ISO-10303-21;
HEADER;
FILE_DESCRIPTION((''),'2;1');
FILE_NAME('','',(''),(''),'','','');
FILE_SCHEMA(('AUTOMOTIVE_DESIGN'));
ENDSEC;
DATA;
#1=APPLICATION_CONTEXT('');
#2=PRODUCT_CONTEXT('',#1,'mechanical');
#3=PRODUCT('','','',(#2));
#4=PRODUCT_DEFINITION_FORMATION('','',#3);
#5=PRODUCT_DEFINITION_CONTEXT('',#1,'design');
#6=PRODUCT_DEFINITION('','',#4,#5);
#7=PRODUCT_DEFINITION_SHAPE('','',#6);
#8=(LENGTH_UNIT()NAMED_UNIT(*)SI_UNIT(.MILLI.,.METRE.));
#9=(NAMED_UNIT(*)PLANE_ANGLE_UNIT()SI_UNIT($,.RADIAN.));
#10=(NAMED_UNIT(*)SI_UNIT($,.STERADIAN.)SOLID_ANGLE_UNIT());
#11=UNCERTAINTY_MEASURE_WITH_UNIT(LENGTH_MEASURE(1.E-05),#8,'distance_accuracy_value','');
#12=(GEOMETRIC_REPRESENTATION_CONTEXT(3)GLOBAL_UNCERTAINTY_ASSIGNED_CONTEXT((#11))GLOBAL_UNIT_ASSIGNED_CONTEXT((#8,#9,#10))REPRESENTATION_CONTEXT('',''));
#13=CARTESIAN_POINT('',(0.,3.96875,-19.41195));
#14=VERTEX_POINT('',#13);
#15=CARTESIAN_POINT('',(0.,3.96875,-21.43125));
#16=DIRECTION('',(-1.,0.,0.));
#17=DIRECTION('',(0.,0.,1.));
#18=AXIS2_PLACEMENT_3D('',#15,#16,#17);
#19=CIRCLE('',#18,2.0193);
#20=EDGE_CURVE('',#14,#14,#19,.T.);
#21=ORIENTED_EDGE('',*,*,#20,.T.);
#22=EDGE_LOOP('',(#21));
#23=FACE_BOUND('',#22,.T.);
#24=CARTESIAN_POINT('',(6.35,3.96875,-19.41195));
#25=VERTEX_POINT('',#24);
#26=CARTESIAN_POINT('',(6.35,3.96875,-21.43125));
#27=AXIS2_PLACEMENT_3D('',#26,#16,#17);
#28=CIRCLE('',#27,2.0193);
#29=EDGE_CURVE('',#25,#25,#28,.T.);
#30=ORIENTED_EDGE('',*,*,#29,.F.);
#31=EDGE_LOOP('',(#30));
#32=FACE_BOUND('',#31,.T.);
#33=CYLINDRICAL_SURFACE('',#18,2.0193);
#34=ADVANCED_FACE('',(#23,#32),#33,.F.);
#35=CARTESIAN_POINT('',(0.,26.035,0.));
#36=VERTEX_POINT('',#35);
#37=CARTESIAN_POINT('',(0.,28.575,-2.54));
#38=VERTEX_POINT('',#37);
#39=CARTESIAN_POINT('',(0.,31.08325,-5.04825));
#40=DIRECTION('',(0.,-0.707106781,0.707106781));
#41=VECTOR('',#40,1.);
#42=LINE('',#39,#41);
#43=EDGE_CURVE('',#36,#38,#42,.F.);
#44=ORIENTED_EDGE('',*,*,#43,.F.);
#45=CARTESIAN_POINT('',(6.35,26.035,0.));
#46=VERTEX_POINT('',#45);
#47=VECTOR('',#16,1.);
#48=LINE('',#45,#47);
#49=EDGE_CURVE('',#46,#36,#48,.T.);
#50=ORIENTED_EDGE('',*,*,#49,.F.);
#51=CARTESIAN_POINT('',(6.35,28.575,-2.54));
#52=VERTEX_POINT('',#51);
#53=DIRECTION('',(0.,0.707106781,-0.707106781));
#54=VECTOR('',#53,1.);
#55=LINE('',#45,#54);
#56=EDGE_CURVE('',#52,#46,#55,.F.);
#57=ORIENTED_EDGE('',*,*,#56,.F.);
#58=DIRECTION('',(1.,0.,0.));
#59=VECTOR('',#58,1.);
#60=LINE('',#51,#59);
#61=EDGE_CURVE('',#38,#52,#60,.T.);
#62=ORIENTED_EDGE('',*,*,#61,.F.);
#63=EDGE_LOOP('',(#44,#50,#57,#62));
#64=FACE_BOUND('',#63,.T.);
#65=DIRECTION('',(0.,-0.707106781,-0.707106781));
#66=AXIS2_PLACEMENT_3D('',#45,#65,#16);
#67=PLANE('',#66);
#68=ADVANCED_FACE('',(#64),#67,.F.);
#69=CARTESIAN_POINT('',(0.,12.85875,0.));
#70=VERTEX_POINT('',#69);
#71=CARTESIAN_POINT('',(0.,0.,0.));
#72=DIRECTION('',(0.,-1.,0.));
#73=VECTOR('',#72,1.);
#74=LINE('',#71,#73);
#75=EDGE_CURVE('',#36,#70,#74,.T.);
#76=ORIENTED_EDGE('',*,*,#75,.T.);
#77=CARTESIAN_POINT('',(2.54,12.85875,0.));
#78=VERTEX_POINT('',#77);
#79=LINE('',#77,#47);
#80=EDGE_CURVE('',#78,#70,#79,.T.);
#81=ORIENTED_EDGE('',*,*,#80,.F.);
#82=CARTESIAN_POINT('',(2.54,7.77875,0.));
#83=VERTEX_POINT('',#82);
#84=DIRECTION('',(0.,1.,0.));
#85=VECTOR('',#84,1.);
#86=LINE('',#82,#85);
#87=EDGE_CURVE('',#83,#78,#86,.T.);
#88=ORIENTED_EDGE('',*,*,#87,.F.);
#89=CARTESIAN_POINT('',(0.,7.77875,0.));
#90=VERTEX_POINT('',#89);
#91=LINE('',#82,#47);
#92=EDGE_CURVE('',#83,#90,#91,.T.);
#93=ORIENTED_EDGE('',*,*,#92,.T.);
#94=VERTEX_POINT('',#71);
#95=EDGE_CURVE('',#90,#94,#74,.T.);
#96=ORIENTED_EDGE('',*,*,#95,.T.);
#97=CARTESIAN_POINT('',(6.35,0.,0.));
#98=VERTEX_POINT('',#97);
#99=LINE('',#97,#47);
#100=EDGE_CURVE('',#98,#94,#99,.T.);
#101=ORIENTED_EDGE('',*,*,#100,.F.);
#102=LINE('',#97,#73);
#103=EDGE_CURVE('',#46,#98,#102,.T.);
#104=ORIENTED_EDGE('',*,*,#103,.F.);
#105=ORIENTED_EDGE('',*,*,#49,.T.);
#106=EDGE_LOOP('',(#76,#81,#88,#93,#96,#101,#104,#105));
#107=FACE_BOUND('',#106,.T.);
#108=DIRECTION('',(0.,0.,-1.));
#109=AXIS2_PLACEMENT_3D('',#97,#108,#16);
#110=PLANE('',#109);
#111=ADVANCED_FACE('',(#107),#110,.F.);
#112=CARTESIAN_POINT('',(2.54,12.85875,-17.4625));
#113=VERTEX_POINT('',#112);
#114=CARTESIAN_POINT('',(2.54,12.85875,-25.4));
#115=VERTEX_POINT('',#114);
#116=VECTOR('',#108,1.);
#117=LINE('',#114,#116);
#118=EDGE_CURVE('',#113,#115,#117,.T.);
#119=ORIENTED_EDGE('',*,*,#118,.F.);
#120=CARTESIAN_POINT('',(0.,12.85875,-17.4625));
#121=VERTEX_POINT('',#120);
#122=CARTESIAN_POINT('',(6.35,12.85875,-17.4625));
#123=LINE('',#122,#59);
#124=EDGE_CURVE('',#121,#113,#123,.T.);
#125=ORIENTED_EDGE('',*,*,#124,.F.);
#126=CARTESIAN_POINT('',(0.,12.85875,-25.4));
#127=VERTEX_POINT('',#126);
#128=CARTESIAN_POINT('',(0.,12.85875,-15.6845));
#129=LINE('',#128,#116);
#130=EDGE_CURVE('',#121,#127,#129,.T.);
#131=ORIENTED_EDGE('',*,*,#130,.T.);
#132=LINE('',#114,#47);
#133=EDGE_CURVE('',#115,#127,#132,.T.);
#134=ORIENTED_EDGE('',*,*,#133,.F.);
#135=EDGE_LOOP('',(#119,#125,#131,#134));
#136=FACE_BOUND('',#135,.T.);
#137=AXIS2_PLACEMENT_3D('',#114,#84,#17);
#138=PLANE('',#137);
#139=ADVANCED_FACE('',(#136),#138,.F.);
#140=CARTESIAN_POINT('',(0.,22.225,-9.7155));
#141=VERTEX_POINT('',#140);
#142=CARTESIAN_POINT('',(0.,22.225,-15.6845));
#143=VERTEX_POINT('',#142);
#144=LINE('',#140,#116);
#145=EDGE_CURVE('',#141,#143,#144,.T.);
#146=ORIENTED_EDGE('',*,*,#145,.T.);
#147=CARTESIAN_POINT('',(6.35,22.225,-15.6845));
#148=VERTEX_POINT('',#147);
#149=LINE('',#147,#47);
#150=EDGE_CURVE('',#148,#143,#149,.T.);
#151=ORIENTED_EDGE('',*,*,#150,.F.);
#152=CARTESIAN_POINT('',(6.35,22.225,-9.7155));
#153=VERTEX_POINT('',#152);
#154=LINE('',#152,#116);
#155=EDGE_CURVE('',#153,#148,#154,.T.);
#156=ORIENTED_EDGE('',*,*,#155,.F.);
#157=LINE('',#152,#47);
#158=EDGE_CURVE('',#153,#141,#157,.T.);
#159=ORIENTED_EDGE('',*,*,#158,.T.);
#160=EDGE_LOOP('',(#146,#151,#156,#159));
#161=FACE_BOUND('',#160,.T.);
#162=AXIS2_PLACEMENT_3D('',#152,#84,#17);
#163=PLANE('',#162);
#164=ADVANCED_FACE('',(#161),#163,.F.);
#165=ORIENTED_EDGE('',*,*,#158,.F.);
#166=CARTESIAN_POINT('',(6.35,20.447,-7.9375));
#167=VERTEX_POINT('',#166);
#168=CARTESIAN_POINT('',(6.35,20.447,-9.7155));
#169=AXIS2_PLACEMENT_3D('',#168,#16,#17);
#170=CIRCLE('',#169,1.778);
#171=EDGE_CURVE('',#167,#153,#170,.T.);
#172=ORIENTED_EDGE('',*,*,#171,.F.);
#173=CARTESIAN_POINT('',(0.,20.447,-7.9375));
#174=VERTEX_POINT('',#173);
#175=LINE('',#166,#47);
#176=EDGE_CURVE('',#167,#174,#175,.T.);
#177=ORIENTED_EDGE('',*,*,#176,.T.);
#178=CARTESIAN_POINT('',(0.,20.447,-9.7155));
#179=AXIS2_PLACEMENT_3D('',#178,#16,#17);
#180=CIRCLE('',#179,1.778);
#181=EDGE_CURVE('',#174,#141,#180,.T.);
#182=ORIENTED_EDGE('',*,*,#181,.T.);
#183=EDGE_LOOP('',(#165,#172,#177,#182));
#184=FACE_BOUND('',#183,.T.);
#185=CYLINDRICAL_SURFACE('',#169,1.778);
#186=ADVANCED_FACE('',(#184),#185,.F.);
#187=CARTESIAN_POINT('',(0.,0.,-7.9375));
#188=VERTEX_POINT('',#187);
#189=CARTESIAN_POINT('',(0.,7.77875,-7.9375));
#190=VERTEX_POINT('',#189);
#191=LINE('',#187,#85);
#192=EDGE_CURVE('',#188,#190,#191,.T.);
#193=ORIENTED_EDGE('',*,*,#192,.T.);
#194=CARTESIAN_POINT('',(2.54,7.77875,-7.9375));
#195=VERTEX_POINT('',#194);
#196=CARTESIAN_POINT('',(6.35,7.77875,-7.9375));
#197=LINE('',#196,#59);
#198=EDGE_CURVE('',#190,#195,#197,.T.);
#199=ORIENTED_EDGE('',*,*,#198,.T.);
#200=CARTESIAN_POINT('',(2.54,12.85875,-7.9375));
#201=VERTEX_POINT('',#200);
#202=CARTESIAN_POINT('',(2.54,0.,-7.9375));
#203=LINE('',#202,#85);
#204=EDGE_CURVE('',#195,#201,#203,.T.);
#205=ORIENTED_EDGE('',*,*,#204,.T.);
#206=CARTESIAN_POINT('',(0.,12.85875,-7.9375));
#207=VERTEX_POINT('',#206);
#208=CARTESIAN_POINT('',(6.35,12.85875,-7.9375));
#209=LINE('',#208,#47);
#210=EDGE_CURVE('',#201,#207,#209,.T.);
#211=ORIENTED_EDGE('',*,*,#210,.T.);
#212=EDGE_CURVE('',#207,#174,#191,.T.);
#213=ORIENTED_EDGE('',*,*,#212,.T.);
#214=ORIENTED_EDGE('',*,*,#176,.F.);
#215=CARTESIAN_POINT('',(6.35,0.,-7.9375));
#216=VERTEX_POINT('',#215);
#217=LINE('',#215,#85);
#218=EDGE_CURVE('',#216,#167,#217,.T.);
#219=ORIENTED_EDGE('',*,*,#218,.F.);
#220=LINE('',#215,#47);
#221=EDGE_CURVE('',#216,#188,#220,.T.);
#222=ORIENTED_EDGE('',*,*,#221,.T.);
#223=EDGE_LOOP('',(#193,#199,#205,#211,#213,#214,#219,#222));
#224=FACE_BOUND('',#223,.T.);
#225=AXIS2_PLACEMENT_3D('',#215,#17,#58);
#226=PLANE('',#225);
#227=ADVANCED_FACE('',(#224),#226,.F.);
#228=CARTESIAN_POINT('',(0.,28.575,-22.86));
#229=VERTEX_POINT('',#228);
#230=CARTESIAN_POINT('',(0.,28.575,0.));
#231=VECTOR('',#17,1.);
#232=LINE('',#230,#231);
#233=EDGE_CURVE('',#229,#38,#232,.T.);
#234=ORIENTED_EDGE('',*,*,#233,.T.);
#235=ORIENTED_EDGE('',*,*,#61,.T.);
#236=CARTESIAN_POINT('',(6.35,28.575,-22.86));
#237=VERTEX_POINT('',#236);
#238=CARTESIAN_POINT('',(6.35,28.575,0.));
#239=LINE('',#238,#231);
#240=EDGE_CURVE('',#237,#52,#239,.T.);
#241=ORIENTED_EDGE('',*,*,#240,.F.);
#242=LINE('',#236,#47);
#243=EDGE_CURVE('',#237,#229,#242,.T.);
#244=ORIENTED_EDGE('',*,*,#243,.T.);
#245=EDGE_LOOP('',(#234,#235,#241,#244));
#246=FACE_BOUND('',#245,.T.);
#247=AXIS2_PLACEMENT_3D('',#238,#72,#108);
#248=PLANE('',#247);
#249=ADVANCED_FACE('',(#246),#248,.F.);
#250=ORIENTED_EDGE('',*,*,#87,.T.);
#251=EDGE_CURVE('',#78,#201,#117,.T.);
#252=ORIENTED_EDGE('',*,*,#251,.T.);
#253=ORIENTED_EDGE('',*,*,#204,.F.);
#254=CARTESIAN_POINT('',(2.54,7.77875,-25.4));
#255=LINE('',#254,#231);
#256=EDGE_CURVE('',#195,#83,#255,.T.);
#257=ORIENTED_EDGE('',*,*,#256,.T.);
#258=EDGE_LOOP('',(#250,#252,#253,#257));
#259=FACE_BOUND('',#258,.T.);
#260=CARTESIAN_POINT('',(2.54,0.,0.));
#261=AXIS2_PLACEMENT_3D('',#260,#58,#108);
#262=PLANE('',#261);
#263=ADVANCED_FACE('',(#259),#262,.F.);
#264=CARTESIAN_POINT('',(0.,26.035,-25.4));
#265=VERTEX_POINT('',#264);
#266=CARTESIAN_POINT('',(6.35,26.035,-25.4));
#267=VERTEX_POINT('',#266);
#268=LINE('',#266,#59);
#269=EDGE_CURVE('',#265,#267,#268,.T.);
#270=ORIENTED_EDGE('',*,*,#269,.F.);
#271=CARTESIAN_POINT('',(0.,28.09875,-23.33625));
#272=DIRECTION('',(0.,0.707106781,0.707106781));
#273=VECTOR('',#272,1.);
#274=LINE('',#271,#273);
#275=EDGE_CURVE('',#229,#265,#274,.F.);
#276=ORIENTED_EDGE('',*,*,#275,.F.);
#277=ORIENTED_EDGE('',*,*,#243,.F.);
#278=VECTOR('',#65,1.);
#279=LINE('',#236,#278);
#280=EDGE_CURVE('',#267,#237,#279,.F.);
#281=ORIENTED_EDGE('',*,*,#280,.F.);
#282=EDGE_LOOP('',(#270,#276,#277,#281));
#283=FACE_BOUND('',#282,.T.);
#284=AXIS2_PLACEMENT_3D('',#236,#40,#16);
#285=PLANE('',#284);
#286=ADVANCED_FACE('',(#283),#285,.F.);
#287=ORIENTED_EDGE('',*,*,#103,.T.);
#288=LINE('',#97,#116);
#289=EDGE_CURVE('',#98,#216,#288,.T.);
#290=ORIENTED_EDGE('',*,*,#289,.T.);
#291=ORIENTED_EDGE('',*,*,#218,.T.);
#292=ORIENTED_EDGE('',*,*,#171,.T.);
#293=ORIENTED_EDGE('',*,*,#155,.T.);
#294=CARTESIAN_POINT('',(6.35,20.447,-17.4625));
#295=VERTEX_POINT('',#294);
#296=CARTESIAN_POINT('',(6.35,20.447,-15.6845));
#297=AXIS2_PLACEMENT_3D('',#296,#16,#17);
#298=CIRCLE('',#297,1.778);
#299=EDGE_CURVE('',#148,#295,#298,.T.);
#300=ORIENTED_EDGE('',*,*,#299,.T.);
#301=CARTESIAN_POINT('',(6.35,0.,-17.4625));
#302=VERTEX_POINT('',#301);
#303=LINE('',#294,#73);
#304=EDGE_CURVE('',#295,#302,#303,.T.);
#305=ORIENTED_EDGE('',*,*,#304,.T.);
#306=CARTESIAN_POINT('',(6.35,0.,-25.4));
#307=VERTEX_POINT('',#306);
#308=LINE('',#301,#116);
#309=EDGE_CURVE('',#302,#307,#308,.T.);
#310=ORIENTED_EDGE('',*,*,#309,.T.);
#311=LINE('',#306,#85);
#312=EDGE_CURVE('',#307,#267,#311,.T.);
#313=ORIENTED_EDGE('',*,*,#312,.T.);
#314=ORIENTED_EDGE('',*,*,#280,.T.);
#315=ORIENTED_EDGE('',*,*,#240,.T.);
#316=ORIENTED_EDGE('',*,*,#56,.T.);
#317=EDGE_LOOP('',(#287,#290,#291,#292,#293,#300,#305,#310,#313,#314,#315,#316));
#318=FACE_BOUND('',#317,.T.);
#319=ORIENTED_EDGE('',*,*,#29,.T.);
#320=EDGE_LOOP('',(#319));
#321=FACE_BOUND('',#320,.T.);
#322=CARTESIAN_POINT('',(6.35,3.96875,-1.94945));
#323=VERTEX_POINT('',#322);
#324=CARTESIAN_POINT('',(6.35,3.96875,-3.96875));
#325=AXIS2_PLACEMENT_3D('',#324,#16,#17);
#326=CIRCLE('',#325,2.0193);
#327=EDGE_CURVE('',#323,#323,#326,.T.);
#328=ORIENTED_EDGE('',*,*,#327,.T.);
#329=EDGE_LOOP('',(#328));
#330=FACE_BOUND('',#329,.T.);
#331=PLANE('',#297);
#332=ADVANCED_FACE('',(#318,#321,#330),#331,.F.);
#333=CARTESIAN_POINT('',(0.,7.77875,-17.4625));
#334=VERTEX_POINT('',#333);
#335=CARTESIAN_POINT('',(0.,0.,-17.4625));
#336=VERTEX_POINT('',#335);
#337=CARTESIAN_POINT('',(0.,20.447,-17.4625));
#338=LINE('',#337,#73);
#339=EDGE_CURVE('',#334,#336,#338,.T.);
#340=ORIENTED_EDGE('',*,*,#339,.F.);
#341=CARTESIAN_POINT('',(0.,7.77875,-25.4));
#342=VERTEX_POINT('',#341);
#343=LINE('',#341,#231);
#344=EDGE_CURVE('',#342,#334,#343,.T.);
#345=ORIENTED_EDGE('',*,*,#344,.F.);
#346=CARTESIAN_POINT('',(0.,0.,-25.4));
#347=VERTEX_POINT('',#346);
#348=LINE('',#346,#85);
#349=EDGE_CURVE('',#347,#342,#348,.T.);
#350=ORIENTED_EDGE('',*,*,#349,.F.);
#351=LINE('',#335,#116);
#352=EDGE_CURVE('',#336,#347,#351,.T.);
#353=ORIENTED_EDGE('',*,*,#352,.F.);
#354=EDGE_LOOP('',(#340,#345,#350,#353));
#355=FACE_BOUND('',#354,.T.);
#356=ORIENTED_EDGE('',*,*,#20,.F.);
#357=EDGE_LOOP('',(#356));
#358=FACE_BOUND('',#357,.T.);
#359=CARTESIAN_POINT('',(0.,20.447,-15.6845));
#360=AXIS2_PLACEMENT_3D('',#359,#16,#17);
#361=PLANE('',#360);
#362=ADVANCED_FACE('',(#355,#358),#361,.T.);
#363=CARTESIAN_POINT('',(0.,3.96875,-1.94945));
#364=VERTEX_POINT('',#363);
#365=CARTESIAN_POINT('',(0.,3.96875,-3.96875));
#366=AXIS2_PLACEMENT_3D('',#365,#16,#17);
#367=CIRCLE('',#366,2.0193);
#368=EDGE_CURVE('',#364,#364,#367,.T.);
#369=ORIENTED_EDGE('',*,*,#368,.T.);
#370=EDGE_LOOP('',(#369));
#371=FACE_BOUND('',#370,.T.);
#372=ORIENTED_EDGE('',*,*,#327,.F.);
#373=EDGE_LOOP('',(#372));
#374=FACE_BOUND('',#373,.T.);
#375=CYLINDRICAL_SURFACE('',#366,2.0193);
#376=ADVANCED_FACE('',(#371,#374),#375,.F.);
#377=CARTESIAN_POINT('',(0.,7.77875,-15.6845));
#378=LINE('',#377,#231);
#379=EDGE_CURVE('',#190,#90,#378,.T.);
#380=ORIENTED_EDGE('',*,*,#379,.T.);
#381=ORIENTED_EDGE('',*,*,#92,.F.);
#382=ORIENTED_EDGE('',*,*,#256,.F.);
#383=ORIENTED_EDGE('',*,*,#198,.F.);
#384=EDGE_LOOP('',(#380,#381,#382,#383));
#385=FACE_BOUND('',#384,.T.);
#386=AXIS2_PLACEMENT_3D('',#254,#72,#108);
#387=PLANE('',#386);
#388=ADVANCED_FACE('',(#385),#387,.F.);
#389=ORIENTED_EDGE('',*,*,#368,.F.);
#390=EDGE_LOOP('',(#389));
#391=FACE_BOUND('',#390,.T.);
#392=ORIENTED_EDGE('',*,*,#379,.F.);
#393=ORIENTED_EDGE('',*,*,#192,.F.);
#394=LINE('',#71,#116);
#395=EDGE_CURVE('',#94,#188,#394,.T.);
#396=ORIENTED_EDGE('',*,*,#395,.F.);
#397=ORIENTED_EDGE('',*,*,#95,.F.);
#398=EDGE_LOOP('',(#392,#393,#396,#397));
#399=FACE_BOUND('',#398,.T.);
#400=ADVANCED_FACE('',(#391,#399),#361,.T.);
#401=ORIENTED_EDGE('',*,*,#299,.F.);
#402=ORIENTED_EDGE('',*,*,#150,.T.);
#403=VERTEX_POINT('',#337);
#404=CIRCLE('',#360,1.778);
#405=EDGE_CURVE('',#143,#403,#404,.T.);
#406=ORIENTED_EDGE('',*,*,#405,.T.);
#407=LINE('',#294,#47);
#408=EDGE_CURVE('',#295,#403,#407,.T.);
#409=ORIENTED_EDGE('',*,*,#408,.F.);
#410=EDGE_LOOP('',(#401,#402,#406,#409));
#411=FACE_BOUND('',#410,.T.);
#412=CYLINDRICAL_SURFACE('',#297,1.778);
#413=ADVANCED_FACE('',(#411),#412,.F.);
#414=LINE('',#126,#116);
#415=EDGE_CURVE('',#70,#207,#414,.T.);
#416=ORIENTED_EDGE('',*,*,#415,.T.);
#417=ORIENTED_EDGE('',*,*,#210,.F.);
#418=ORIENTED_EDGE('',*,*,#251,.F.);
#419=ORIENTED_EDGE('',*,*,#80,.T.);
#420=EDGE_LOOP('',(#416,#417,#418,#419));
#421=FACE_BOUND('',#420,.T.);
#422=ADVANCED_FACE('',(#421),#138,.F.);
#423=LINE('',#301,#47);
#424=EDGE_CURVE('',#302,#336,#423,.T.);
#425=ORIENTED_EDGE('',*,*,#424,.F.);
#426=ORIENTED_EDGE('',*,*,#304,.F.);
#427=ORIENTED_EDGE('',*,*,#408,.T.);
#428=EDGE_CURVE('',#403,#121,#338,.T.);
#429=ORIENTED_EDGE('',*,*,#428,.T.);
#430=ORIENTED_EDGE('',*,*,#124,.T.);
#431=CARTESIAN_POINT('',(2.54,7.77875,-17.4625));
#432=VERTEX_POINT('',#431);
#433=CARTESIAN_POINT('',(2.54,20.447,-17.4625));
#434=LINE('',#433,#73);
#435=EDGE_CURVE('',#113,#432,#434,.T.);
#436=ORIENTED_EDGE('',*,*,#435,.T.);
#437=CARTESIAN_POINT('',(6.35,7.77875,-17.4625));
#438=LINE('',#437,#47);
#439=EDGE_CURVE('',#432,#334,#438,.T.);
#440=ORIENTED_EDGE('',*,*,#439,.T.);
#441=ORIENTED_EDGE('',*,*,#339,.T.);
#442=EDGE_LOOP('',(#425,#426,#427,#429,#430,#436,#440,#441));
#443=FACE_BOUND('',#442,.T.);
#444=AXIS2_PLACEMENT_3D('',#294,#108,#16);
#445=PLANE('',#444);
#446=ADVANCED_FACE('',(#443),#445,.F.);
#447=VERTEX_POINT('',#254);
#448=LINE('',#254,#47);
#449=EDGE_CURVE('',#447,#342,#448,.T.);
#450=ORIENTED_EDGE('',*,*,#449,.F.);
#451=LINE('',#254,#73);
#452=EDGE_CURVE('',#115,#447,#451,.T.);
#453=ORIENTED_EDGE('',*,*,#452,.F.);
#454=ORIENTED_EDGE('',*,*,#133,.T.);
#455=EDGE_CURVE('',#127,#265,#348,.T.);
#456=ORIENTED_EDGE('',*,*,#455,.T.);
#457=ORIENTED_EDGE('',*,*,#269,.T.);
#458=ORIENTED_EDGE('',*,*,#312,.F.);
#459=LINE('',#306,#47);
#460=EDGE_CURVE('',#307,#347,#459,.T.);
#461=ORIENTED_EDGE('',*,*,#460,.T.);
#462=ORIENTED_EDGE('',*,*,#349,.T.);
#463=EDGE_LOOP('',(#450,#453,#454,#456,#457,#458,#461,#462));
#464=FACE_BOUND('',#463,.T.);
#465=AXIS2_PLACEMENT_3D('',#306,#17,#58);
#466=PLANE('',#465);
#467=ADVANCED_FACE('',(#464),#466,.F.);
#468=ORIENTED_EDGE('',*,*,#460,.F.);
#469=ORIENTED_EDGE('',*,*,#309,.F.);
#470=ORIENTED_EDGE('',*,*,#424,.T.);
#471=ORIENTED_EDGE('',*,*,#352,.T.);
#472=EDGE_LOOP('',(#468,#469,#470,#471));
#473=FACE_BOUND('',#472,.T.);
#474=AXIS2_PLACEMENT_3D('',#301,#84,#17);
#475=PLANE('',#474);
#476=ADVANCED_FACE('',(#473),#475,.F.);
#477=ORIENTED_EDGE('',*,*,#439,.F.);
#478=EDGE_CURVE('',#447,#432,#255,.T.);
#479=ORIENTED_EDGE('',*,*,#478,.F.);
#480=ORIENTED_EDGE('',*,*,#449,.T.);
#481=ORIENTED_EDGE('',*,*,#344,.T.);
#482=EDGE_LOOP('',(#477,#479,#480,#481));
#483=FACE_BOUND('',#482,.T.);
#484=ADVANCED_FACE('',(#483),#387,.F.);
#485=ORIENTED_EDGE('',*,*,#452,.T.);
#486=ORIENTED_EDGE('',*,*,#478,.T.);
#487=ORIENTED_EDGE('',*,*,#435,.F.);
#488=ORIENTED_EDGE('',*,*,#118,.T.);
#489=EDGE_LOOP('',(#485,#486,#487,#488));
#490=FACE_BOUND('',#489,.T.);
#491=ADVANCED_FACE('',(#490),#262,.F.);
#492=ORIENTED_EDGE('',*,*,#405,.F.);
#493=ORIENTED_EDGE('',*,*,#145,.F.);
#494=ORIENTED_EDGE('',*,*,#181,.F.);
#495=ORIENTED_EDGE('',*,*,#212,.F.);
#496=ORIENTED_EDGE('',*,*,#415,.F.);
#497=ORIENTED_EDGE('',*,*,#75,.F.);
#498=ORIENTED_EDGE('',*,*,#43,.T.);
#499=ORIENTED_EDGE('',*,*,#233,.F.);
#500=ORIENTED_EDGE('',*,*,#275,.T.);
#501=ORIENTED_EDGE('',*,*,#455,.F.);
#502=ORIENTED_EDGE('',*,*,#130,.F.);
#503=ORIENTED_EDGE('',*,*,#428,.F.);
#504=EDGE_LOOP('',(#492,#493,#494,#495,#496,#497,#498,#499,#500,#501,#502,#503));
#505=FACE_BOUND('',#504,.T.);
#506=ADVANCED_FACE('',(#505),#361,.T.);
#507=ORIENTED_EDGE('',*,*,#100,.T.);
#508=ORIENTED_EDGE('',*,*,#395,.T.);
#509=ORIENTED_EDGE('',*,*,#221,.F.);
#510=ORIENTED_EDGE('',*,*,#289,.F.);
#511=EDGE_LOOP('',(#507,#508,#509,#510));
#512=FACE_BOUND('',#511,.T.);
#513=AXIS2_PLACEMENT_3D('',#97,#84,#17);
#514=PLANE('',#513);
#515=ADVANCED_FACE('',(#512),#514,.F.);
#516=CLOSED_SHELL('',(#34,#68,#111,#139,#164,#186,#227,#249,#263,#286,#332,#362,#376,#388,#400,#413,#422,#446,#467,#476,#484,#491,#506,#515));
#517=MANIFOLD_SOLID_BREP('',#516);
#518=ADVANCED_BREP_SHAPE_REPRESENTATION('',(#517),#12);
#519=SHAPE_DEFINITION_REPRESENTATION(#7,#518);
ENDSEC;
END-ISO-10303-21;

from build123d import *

# Parameters (mm, degrees)
BOSS_EXTRUDE1_DEPTH    = 6.35
F_10_32_TAPPED_HOLE1_D = 4.0386
SKETCH2_W              = 25.4
SKETCH2_H              = 5.08
CUT_EXTRUDE1_DEPTH     = 2.54
CHAMFER1_SIZE          = 2.54


with BuildPart() as part:
    # Sketch1 → Boss-Extrude1 (new body)
    with BuildSketch(Plane(origin=(0, 0, 0), x_dir=(0, 0, -1), z_dir=(1, 0, 0))):
        with BuildLine():
            Line((7.9375, 0), (7.9375, 20.447))
            ThreePointArc((7.9375, 20.447), (8.458264143, 21.704235857), (9.7155, 22.225))
            Line((9.7155, 22.225), (15.6845, 22.225))
            ThreePointArc((15.6845, 22.225), (16.941735857, 21.704235857), (17.4625, 20.447))
            Line((17.4625, 20.447), (17.4625, 0))
            Line((17.4625, 0), (25.4, 0))
            Line((25.4, 0), (25.4, 28.575))
            Line((25.4, 28.575), (0, 28.575))
            Line((0, 28.575), (0, 0))
            Line((0, 0), (7.9375, 0))
        make_face()
    extrude(amount=BOSS_EXTRUDE1_DEPTH)

    # #10-32 Tapped Hole1 (through all)
    with Locations(Plane.ZY):
        with Locations((-21.43125, 3.96875), (-3.96875, 3.96875)):
            Hole(F_10_32_TAPPED_HOLE1_D / 2)

    # Sketch2 → Cut-Extrude1 (cut)
    with BuildSketch(Plane.ZY):
        with Locations((-12.7, 10.31875)):
            Rectangle(SKETCH2_W, SKETCH2_H)
    extrude(amount=-CUT_EXTRUDE1_DEPTH, mode=Mode.SUBTRACT)

    # Chamfer1
    chamfer1_edges = [part.edges().sort_by_distance(p)[0] for p in [
        (3.175, 28.575, 0),
        (3.175, 28.575, -25.4),
    ]]
    chamfer(chamfer1_edges, length=CHAMFER1_SIZE)


solid = part.part
